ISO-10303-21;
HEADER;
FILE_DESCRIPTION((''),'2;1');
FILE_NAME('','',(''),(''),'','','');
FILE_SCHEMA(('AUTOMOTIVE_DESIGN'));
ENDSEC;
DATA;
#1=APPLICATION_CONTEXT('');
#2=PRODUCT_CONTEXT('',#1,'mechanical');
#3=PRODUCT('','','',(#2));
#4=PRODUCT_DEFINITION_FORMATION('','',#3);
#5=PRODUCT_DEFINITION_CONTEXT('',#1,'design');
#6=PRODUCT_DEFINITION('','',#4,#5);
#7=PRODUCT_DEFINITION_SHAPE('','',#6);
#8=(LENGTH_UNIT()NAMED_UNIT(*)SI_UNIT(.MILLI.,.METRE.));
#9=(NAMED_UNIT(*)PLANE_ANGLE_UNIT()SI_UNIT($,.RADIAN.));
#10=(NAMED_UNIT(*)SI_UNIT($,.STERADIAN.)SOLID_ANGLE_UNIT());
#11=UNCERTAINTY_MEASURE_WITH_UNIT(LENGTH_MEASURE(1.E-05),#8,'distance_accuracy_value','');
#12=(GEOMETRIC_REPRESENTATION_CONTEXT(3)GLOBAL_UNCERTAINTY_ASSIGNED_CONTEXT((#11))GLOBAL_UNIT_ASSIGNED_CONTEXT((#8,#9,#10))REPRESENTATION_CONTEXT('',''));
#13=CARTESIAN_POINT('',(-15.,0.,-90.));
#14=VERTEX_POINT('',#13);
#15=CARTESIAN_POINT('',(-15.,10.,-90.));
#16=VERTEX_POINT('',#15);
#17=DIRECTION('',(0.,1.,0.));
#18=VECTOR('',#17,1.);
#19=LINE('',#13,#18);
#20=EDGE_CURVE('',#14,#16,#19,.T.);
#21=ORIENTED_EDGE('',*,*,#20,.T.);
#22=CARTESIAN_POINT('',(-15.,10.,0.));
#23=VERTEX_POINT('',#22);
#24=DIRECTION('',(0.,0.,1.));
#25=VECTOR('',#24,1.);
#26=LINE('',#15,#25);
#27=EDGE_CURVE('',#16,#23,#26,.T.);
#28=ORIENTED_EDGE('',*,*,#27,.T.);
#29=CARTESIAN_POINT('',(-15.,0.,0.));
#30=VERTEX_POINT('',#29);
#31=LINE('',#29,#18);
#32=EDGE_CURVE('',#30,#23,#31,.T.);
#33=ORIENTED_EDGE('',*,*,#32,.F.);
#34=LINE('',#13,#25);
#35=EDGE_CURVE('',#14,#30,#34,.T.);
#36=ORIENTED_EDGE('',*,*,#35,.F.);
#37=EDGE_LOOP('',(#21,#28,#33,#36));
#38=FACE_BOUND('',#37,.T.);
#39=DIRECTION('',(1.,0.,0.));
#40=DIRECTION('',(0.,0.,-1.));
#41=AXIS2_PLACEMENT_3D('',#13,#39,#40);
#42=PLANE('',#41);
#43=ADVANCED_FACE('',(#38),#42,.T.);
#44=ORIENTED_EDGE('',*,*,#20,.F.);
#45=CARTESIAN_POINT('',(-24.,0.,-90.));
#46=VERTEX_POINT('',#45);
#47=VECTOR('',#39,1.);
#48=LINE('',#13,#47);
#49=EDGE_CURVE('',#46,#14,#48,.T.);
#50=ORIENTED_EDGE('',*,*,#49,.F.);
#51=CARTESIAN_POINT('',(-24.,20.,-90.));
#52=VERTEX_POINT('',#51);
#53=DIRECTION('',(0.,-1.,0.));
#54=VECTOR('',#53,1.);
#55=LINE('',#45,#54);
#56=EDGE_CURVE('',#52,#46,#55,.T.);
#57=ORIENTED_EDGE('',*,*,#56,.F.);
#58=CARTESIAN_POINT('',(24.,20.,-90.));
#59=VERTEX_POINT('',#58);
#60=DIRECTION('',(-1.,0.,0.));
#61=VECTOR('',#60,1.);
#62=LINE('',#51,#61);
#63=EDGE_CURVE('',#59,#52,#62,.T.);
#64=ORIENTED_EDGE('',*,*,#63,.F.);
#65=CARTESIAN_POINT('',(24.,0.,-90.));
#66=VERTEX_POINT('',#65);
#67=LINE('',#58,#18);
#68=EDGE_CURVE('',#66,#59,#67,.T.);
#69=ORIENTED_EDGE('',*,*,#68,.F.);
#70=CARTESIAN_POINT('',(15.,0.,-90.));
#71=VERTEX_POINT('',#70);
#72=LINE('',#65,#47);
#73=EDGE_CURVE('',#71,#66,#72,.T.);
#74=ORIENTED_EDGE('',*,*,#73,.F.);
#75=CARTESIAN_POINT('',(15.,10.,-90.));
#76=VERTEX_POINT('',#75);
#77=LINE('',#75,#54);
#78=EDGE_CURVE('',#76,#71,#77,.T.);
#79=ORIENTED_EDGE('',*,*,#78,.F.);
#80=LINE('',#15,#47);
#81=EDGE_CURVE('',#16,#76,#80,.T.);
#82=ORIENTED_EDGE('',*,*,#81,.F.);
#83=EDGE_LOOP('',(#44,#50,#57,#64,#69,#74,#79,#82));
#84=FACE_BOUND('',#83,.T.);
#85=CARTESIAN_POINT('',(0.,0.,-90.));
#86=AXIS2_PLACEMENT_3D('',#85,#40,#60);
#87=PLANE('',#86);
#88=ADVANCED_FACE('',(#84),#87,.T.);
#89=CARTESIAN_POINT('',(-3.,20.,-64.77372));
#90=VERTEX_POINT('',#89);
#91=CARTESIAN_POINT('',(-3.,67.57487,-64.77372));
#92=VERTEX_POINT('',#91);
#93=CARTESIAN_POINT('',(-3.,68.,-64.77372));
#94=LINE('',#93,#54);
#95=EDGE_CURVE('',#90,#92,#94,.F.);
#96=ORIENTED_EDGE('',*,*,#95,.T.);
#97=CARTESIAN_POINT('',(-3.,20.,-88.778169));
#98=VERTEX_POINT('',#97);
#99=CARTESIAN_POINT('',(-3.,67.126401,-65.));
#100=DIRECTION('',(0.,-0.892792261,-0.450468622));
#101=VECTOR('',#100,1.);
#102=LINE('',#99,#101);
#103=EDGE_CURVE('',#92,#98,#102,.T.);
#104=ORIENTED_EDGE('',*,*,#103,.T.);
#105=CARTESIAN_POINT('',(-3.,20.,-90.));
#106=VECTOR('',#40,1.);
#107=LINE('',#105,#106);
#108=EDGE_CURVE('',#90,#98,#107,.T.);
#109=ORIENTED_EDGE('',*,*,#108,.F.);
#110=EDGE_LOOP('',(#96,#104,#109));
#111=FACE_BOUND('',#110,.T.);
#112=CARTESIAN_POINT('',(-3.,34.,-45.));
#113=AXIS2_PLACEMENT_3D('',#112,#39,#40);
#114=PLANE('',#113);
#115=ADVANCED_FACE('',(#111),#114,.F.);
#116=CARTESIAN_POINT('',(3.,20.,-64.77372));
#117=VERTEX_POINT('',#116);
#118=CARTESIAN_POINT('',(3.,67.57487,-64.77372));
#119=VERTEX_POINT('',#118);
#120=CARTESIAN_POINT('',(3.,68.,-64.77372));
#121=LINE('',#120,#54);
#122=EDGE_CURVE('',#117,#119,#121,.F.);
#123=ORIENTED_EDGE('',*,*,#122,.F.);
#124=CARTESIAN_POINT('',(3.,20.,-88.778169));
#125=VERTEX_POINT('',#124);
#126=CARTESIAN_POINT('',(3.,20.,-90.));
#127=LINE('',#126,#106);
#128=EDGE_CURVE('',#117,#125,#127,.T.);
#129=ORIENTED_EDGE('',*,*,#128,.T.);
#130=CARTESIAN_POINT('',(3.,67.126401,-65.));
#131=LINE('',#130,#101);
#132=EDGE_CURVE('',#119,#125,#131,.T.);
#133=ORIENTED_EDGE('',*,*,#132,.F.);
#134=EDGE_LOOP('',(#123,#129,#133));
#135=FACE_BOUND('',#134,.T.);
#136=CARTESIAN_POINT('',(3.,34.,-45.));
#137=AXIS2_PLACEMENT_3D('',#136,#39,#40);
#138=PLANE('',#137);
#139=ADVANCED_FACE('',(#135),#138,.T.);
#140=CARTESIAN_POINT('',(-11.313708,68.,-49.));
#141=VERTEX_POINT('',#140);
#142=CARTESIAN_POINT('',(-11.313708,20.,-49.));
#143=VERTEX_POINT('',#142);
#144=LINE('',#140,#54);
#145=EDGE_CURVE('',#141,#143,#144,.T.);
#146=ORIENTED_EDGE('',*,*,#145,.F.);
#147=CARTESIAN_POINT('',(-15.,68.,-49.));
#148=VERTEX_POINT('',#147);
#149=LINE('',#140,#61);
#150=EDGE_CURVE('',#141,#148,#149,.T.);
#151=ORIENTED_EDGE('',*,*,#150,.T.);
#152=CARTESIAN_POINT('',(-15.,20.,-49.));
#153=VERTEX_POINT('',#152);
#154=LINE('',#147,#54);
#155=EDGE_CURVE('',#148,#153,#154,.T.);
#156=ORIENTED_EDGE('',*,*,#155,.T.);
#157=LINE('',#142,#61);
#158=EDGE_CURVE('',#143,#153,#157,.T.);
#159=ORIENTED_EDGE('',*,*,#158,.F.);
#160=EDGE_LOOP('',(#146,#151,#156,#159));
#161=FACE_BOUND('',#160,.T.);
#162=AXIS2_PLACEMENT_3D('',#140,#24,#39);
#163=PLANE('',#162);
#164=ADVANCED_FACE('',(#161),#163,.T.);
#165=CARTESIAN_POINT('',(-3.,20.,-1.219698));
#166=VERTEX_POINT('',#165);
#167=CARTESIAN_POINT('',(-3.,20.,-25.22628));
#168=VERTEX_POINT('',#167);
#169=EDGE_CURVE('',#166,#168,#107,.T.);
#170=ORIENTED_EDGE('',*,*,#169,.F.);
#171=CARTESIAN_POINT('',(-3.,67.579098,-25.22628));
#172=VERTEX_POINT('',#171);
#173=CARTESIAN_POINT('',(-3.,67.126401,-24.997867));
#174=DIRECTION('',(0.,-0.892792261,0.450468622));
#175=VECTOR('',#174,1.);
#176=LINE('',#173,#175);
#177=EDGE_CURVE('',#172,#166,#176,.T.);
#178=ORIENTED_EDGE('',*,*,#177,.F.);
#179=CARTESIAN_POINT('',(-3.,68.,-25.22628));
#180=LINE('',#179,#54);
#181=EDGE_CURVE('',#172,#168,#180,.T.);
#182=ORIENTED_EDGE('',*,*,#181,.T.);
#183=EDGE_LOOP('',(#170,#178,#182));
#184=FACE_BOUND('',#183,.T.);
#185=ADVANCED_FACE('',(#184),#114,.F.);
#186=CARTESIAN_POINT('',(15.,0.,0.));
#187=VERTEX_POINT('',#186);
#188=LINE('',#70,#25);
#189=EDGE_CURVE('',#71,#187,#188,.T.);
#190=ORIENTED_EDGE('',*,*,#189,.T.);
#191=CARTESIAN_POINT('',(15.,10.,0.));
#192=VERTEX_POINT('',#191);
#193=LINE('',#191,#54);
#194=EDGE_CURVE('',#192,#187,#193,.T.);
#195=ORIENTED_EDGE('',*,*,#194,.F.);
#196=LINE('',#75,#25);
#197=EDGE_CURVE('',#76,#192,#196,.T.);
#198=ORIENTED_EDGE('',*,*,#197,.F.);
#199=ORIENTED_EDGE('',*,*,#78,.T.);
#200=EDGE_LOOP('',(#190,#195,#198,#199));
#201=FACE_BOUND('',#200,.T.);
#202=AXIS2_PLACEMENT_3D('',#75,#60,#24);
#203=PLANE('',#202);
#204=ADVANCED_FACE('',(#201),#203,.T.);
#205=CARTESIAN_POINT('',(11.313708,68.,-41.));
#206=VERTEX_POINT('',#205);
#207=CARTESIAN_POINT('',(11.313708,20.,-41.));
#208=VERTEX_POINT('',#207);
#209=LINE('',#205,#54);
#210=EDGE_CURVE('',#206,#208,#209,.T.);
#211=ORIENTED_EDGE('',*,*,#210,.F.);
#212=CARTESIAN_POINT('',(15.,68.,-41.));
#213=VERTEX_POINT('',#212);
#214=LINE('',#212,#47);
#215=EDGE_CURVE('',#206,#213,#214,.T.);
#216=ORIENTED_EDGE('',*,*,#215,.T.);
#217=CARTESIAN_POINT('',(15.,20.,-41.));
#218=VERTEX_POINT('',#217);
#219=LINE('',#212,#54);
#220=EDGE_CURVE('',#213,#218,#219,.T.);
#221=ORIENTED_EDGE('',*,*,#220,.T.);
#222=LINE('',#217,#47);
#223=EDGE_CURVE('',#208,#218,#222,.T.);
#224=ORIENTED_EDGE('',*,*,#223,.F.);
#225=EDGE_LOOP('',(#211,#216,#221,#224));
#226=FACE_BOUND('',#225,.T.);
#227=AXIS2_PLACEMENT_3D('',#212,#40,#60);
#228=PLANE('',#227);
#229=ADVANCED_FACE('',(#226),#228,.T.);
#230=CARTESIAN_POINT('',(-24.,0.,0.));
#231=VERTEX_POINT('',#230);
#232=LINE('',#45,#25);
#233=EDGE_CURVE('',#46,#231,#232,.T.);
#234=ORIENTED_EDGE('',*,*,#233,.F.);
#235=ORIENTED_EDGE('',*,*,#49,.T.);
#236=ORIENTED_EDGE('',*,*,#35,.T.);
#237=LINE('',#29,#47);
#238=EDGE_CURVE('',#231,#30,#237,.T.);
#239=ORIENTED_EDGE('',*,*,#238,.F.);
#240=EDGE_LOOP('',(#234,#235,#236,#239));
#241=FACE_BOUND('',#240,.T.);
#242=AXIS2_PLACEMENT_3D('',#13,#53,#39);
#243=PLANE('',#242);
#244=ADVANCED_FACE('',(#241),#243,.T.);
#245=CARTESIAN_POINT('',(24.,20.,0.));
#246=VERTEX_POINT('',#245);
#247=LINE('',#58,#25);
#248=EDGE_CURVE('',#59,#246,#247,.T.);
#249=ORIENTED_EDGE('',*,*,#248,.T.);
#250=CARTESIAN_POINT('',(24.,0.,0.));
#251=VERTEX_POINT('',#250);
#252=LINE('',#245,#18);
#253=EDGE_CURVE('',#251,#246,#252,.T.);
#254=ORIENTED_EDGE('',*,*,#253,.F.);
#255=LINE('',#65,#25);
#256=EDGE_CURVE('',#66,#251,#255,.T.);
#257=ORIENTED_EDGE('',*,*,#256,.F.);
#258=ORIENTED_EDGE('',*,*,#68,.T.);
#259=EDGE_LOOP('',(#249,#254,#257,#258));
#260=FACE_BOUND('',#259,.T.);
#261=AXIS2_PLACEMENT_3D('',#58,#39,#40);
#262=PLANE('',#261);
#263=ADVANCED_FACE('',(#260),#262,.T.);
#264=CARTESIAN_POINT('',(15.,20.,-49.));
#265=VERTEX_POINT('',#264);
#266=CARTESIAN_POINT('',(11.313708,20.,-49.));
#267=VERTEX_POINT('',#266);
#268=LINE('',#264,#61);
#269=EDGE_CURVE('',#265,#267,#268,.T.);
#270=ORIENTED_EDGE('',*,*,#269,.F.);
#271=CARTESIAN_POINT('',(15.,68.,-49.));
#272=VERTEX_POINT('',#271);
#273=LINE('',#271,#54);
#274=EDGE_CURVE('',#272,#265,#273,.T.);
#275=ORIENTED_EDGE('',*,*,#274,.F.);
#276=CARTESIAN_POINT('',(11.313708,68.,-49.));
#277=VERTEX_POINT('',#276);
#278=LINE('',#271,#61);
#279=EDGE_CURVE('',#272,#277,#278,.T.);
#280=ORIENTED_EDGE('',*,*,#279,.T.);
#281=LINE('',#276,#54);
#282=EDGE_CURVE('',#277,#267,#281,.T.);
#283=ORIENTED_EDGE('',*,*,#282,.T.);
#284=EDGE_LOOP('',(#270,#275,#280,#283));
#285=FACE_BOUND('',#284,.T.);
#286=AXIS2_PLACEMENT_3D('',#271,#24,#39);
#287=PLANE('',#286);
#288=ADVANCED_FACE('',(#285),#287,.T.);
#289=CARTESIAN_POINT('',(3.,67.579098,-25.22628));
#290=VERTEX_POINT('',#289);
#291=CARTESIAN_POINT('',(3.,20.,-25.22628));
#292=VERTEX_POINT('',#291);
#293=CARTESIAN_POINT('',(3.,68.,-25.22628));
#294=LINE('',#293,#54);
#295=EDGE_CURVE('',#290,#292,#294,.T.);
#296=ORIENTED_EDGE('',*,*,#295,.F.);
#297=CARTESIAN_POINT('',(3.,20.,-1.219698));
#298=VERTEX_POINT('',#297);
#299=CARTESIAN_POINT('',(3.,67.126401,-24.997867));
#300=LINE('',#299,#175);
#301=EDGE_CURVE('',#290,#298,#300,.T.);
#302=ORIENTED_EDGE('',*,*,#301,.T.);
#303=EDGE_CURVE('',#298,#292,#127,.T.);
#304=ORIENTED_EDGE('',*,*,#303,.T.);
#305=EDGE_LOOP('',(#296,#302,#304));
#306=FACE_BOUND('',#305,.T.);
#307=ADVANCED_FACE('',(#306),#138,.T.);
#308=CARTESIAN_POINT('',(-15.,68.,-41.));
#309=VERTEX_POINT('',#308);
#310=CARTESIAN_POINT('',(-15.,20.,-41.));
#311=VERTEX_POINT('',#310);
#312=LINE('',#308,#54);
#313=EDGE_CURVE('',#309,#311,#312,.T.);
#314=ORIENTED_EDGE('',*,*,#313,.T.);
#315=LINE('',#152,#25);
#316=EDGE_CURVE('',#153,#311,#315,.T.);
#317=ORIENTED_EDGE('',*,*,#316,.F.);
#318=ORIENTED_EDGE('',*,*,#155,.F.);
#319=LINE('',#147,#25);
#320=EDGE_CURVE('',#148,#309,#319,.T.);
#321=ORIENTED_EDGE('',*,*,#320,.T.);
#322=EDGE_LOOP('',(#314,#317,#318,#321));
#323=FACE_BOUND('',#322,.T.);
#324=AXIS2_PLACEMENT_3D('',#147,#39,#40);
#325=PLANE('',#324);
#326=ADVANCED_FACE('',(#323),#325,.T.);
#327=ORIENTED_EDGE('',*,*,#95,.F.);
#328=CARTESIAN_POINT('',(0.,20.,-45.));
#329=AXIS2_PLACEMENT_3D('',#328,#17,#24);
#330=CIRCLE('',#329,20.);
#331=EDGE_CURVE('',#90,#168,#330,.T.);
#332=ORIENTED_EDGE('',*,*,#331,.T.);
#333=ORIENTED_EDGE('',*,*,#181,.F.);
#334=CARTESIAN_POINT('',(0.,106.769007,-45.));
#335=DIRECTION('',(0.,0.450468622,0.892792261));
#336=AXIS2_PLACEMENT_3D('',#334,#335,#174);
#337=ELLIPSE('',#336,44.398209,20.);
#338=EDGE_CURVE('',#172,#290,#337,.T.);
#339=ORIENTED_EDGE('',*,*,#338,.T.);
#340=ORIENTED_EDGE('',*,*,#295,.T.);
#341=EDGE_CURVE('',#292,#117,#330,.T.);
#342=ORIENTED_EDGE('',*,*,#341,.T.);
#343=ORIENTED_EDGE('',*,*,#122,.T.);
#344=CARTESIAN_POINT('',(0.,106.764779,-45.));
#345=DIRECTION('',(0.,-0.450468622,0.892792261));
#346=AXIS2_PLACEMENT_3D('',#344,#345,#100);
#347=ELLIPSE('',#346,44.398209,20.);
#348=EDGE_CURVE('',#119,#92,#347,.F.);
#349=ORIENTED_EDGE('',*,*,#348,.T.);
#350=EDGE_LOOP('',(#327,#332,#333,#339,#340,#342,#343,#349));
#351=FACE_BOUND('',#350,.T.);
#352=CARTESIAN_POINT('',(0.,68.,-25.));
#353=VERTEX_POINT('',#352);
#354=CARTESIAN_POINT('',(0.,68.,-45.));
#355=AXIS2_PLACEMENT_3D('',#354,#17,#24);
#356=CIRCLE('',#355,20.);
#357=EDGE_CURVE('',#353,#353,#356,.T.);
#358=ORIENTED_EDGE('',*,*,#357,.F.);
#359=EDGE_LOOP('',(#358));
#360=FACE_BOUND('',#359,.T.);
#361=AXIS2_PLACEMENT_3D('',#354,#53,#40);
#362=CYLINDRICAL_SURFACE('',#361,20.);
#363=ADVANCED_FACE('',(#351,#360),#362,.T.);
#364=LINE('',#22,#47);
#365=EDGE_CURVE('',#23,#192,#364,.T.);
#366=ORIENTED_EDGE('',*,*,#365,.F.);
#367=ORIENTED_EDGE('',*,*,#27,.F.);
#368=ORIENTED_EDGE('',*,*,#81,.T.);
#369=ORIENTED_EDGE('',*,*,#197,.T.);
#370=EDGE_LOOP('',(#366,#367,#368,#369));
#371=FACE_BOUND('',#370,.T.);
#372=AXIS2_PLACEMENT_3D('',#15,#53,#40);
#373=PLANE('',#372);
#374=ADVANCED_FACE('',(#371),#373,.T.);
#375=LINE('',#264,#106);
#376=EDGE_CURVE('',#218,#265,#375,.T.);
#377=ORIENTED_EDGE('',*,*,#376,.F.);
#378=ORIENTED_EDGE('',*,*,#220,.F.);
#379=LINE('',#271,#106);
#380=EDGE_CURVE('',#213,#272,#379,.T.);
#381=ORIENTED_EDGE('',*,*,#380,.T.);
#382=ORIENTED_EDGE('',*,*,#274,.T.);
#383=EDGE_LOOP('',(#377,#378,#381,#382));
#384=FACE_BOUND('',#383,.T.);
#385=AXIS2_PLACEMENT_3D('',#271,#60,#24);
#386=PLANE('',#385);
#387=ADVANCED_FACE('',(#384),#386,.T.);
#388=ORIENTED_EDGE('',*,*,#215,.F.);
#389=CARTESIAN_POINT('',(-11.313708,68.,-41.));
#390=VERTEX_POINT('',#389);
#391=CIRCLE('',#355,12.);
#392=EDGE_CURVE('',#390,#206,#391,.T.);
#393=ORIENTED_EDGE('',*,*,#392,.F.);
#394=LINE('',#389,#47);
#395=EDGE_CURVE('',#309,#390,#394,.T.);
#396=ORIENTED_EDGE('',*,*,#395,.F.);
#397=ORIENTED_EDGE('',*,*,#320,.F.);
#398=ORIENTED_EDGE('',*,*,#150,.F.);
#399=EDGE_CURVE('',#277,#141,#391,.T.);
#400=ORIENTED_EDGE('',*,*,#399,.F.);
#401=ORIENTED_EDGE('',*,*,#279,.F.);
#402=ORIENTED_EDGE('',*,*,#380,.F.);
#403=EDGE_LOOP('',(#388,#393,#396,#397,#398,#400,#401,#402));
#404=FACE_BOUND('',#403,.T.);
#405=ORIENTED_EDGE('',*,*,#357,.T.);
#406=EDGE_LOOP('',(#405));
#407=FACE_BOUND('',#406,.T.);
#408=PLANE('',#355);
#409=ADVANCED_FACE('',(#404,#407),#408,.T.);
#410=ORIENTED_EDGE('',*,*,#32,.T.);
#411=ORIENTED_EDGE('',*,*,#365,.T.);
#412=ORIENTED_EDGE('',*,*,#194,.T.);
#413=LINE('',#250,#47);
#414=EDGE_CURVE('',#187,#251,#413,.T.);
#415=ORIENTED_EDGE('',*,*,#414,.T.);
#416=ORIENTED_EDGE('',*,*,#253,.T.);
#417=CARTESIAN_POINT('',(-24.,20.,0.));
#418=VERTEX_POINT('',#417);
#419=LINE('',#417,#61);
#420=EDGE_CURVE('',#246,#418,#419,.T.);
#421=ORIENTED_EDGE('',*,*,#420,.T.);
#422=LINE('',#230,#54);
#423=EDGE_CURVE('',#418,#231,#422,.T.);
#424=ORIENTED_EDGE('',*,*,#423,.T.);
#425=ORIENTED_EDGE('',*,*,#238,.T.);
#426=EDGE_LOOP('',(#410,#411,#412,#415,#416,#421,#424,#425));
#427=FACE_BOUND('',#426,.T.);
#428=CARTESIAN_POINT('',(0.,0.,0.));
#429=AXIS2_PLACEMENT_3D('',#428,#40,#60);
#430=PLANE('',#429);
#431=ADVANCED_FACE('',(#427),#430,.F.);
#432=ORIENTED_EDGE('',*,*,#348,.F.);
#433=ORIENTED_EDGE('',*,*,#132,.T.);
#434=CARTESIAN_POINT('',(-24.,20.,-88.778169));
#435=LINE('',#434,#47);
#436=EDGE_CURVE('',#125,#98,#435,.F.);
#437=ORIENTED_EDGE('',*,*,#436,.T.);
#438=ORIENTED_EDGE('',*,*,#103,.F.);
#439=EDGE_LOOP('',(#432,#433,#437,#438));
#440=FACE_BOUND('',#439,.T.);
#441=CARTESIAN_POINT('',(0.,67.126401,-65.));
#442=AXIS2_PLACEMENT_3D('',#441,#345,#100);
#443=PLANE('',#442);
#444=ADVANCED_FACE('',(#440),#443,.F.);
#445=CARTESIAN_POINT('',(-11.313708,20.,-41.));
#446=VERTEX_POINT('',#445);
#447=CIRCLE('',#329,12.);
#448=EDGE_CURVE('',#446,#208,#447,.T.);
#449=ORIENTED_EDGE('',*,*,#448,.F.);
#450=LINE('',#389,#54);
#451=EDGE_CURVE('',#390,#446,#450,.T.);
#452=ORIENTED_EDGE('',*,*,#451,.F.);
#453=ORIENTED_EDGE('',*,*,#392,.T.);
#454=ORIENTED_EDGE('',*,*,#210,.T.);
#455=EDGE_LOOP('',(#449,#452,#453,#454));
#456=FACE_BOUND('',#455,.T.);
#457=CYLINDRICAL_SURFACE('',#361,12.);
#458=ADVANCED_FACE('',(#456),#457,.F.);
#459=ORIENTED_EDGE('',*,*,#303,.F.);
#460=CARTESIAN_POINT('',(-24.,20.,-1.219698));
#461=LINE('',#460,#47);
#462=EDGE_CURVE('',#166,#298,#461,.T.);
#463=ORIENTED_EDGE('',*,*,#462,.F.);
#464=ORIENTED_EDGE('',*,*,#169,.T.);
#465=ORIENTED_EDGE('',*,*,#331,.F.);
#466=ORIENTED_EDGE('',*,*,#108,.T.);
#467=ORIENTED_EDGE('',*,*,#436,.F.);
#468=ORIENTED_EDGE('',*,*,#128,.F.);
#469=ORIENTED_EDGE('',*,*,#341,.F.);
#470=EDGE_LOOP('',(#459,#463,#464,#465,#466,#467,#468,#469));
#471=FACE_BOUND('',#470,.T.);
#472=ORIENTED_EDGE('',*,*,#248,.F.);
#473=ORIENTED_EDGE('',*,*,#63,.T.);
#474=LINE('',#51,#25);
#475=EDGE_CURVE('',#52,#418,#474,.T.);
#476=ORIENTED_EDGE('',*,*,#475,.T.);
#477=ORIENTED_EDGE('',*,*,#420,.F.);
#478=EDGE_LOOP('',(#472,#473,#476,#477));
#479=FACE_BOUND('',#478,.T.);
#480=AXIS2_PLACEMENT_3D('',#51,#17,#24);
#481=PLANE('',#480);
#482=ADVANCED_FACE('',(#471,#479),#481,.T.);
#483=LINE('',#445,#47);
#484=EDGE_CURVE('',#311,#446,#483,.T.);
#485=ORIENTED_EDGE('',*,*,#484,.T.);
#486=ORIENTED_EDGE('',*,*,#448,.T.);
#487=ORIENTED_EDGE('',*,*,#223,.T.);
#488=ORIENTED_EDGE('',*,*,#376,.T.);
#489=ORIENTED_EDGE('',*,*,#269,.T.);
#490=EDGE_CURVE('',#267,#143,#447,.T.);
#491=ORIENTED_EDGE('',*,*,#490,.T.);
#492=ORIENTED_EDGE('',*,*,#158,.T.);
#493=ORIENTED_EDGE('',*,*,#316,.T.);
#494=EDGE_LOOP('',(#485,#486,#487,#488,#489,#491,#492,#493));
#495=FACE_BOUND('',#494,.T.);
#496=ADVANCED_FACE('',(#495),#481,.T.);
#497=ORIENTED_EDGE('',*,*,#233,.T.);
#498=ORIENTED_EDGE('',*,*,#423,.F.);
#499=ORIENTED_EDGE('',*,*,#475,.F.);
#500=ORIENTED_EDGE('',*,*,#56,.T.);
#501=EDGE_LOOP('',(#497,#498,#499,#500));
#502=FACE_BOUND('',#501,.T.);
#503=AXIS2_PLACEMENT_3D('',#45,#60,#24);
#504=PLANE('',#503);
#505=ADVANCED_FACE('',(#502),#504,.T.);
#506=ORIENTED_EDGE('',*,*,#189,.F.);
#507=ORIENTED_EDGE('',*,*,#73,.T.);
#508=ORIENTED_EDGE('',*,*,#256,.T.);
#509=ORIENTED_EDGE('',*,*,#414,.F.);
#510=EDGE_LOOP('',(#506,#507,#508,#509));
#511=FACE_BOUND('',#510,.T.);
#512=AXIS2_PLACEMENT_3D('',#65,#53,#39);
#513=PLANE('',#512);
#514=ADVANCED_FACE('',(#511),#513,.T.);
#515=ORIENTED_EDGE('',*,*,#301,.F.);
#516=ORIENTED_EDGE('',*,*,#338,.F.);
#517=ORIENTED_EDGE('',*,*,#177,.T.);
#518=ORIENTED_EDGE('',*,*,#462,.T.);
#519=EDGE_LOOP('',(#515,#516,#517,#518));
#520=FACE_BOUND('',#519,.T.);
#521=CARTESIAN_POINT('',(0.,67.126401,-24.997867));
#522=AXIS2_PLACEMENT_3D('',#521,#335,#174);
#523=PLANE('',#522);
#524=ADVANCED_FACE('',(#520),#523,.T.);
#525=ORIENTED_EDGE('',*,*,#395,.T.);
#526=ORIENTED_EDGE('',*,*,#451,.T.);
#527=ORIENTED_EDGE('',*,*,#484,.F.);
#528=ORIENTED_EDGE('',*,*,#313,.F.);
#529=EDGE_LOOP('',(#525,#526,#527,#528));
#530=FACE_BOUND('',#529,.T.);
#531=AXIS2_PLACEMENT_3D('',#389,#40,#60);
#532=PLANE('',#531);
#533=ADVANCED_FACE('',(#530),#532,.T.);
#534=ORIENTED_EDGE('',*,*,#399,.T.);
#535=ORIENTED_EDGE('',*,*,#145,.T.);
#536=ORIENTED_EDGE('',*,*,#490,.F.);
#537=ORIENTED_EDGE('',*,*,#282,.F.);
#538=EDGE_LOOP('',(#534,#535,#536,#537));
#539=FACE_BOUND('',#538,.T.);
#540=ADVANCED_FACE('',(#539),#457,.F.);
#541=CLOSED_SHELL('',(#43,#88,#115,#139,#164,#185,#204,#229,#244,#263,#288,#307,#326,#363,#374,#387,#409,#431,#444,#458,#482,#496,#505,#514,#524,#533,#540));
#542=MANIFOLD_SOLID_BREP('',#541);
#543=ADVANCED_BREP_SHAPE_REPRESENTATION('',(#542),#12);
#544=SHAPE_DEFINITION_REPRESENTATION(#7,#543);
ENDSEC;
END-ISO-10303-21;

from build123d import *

# Parameters (mm, degrees)
EXTRUDE_1_DEPTH = 90
SKETCH_2_R      = 20
EXTRUDE_2_DEPTH = 48
RIB_44_REACH    = 117.326
SKETCH_5_WALL_W = 285.43665717
SKETCH_5_WALL_H = 6
RIB_45_REACH    = 117.326
SKETCH_7_WALL_W = 285.43665717
SKETCH_7_WALL_H = 6


with BuildPart() as part:
    # Эскиз1 → Бобышка-Вытянуть1 (new body)
    with BuildSketch(Plane.XY):
        Polygon((-15, 0), (-15, 10), (15, 10), (15, 0), (24, 0), (24, 20), (-24, 20), (-24, 0), align=None)
    extrude(amount=-EXTRUDE_1_DEPTH)

    # Эскиз2 → Бобышка-Вытянуть2 (add)
    with BuildSketch(Plane(origin=(0, 20, 0), x_dir=(1, 0, 0), z_dir=(0, 1, 0))):
        with Locations(Location((0, 45, 0), (0, 0, 270))):
            Circle(SKETCH_2_R)
        with BuildLine():
            Line((-11.313708499, 49), (-15, 49))
            Line((-15, 49), (-15, 41))
            Line((-15, 41), (-11.313708499, 41))
            ThreePointArc((-11.313708499, 41), (0, 33), (11.313708499, 41))
            Line((11.313708499, 41), (15, 41))
            Line((15, 41), (15, 49))
            Line((15, 49), (11.313708499, 49))
            ThreePointArc((11.313708499, 49), (0, 57), (-11.313708499, 49))
        make_face(mode=Mode.SUBTRACT)
    extrude(amount=EXTRUDE_2_DEPTH)

    # Эскиз5 wall → Ребро44 (add, up to next)
    with BuildSketch(Plane(origin=(0, 43.563200657, -13.108782301), x_dir=(0, -0.892792260785, 0.45046862164), z_dir=(0, -0.45046862164, -0.892792260785)), mode=Mode.PRIVATE) as rib_44_sk1:
        Rectangle(SKETCH_5_WALL_W, SKETCH_5_WALL_H)
    rib_44_tool1 = extrude(rib_44_sk1.sketch, amount=RIB_44_REACH, mode=Mode.PRIVATE) - part.part
    add(rib_44_tool1.solids().sort_by_distance((0, 43.563200657, -13.108782301))[0])

    # Эскиз7 wall → Ребро45 (add, up to next)
    with BuildSketch(Plane(origin=(0, 43.563200657, -76.889084379), x_dir=(0, -0.892792260785, -0.45046862164), z_dir=(0, 0.45046862164, -0.892792260785)), mode=Mode.PRIVATE) as rib_45_sk1:
        Rectangle(SKETCH_7_WALL_W, SKETCH_7_WALL_H)
    rib_45_tool1 = extrude(rib_45_sk1.sketch, amount=-RIB_45_REACH, mode=Mode.PRIVATE) - part.part
    add(rib_45_tool1.solids().sort_by_distance((0, 43.563200657, -76.889084379))[0])


solid = part.part
